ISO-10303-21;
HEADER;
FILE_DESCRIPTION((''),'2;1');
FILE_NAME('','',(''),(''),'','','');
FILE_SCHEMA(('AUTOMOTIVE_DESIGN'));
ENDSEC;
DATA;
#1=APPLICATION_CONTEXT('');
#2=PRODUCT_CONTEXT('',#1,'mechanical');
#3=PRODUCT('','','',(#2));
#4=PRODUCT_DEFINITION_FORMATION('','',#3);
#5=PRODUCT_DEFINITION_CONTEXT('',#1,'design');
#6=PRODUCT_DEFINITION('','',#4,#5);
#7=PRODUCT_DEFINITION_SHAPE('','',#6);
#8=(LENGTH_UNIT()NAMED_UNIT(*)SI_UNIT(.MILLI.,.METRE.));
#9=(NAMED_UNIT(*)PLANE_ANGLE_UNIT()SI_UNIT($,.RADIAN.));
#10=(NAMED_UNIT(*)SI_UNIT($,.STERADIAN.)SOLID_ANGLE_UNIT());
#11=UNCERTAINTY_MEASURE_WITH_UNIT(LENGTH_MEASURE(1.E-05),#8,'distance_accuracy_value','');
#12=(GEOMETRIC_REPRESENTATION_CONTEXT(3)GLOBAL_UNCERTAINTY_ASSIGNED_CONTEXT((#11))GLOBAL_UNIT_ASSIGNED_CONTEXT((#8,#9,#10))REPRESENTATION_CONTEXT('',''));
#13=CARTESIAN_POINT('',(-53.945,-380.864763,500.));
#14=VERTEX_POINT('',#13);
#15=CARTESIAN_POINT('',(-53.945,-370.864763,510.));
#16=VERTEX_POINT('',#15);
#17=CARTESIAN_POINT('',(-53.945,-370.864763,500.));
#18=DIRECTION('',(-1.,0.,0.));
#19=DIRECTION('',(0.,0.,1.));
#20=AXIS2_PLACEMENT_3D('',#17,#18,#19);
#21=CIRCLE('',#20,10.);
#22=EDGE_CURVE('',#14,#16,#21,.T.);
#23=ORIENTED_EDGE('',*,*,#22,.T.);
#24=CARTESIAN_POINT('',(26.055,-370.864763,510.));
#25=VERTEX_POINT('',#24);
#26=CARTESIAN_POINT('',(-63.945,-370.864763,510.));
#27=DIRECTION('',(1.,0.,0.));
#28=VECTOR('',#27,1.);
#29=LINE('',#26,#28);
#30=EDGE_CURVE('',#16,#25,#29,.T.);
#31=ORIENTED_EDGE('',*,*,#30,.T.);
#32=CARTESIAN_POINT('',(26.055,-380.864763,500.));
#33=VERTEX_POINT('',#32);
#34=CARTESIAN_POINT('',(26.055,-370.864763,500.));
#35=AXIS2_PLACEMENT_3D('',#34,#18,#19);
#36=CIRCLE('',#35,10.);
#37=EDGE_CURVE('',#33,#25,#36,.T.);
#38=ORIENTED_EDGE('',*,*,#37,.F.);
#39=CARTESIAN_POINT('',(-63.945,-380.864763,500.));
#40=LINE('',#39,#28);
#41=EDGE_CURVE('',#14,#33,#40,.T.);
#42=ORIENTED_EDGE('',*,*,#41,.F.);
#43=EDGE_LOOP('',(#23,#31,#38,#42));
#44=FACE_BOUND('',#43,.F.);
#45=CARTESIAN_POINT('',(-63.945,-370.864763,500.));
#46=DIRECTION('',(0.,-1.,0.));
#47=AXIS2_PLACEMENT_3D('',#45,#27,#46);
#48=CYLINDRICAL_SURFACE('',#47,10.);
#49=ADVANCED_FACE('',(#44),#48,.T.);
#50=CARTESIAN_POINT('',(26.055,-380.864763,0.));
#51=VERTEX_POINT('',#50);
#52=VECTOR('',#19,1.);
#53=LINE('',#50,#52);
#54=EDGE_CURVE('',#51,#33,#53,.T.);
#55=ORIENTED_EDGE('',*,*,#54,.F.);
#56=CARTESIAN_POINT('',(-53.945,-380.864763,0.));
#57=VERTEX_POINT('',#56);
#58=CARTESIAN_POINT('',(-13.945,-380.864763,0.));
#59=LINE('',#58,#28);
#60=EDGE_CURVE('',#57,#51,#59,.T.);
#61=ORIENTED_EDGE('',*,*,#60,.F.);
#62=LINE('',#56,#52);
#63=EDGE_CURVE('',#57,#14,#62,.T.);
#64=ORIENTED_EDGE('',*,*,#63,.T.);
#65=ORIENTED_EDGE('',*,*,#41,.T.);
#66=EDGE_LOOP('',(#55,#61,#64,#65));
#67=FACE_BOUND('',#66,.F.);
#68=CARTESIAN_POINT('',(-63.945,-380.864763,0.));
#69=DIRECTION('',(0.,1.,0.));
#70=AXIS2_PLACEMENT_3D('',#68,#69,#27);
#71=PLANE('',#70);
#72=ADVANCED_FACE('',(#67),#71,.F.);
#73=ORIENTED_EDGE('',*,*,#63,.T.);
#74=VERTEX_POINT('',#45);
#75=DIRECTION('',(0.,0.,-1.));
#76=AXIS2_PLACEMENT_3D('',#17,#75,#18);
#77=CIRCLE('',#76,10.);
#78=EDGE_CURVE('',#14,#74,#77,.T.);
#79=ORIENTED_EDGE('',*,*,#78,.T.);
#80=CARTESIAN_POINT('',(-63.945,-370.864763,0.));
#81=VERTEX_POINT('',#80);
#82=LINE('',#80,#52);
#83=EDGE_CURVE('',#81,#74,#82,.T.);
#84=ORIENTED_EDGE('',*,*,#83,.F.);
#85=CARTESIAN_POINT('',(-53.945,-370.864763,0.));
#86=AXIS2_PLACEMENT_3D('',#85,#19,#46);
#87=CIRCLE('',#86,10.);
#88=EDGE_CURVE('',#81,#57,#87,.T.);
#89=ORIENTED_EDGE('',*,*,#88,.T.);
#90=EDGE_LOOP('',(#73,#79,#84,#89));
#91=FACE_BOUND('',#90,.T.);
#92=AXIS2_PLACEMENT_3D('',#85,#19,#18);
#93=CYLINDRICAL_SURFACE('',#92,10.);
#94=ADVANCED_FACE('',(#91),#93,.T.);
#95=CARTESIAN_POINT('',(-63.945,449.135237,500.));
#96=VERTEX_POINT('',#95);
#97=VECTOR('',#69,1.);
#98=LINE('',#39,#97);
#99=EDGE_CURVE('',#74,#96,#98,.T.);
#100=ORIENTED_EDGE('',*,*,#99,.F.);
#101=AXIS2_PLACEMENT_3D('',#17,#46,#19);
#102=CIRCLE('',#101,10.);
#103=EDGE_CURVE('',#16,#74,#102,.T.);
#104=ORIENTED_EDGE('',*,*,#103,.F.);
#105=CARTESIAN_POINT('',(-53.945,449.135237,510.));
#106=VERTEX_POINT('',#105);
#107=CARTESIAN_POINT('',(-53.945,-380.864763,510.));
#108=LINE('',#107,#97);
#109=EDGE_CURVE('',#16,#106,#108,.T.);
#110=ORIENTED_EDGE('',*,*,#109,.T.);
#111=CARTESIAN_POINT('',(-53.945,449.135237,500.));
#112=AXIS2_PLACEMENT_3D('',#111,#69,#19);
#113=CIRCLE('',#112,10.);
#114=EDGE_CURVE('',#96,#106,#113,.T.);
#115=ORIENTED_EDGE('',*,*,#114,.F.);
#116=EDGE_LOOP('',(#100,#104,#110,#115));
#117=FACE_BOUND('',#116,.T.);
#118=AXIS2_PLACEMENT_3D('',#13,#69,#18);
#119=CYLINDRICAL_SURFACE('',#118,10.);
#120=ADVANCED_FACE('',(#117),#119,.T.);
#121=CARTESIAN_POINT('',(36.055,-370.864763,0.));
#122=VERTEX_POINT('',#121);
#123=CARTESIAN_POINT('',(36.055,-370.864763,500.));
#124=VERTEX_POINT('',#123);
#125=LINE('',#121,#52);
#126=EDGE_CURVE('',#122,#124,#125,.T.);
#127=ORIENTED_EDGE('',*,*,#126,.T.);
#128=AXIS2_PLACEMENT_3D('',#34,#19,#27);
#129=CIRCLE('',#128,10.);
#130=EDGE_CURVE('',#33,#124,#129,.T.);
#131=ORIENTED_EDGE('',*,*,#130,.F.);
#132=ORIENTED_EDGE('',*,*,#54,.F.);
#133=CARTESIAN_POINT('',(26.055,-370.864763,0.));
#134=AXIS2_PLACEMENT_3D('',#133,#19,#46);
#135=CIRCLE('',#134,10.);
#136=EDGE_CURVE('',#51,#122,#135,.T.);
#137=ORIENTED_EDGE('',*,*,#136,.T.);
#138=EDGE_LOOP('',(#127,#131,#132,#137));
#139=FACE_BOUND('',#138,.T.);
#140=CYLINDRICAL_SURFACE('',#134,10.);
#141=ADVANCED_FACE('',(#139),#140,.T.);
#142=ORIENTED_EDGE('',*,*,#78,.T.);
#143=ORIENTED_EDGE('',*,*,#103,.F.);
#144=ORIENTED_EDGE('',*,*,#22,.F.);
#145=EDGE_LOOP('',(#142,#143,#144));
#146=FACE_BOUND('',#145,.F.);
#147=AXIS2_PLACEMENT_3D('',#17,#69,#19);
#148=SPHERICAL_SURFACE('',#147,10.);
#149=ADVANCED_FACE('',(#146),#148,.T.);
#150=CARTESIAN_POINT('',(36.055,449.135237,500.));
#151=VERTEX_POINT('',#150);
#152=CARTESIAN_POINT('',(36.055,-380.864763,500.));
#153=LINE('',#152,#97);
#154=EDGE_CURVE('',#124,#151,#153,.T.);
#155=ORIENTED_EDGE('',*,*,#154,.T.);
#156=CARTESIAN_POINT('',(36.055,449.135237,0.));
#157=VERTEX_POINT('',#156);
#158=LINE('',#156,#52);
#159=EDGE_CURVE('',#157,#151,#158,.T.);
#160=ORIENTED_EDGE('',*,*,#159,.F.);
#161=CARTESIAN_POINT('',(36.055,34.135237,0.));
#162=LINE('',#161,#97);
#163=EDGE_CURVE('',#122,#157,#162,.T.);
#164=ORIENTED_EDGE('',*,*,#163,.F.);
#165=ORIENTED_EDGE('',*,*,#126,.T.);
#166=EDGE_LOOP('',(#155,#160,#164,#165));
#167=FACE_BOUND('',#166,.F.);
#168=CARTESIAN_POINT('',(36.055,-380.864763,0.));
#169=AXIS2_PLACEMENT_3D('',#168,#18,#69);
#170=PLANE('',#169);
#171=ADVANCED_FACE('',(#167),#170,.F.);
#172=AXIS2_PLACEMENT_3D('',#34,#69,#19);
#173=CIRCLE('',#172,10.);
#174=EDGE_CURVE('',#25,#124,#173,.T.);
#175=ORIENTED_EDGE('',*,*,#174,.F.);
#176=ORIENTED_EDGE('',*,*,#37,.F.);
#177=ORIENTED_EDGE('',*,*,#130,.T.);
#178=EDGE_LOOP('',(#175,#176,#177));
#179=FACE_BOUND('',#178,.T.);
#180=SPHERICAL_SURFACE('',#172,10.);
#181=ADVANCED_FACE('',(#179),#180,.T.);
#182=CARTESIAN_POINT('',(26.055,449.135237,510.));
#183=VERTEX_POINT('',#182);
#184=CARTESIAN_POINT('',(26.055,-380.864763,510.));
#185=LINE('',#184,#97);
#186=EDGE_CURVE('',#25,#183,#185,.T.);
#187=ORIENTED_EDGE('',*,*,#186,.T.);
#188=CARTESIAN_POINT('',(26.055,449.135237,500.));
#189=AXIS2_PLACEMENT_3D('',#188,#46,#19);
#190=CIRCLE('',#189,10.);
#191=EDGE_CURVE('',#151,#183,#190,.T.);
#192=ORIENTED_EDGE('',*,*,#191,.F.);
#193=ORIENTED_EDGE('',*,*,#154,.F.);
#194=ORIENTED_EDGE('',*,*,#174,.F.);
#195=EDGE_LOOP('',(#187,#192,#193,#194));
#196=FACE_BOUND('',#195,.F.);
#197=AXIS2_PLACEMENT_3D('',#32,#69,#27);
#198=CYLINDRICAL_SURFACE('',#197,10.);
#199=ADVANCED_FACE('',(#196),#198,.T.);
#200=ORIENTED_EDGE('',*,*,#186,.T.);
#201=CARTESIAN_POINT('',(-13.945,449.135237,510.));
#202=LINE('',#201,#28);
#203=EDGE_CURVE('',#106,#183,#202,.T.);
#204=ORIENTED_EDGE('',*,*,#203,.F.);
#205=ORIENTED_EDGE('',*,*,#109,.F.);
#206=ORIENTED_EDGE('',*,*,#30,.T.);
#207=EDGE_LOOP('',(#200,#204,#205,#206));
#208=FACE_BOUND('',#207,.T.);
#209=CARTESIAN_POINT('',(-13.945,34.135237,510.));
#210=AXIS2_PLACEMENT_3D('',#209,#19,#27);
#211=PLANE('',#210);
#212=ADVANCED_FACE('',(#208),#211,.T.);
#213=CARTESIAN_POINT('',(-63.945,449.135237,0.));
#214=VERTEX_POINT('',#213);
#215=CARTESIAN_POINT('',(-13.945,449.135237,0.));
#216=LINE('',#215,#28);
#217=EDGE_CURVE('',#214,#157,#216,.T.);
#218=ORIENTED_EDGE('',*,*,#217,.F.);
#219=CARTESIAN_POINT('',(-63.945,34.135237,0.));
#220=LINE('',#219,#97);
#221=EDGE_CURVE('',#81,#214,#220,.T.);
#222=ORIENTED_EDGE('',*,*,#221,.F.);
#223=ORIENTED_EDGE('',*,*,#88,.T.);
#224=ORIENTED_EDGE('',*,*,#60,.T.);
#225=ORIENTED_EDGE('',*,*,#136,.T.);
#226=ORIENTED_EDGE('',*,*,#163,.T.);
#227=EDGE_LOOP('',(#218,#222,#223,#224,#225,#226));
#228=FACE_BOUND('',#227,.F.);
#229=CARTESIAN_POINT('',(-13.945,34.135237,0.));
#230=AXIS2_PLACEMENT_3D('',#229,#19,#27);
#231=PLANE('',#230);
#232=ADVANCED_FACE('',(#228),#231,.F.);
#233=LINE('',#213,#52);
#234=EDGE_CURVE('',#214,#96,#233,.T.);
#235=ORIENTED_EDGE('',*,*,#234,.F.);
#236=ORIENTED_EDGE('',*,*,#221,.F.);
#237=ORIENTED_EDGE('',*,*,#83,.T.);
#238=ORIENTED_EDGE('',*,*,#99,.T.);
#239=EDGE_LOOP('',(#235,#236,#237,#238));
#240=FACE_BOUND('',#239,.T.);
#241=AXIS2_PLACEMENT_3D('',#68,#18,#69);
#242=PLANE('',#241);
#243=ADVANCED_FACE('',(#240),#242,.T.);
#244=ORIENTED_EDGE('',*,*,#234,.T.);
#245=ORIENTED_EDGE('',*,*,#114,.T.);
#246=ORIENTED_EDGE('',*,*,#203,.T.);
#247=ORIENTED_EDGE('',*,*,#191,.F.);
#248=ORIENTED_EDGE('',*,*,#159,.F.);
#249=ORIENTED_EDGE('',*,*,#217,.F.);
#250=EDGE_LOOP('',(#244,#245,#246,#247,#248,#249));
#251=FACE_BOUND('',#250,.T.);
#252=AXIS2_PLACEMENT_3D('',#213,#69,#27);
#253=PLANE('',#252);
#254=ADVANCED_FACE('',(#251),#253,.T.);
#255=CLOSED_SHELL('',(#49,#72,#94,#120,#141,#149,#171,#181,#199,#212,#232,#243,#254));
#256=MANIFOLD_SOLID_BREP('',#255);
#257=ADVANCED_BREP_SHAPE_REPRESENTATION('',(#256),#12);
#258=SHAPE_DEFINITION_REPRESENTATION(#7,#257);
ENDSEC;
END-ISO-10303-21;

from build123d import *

# Parameters (mm, degrees)
F0_W     = 100
F0_H     = 830
F1_DEPTH = 510
F2_R     = 10


with BuildPart() as f1:
    # F0 (on Top) → F1 (new body)
    with BuildSketch(Plane.XY):
        with Locations((-13.945, 34.135237)):
            Rectangle(F0_W, F0_H)
    extrude(amount=F1_DEPTH)

    # F2
    f2_edges = [f1.edges().sort_by_distance(p)[0] for p in [
        (36.055, 34.135237, 510),
        (-63.945, 34.135237, 510),
        (-13.945, -380.864763, 510),
        (36.055, -380.864763, 255),
        (-63.945, -380.864763, 255),
    ]]
    fillet(f2_edges, radius=F2_R)


solid = f1.part
